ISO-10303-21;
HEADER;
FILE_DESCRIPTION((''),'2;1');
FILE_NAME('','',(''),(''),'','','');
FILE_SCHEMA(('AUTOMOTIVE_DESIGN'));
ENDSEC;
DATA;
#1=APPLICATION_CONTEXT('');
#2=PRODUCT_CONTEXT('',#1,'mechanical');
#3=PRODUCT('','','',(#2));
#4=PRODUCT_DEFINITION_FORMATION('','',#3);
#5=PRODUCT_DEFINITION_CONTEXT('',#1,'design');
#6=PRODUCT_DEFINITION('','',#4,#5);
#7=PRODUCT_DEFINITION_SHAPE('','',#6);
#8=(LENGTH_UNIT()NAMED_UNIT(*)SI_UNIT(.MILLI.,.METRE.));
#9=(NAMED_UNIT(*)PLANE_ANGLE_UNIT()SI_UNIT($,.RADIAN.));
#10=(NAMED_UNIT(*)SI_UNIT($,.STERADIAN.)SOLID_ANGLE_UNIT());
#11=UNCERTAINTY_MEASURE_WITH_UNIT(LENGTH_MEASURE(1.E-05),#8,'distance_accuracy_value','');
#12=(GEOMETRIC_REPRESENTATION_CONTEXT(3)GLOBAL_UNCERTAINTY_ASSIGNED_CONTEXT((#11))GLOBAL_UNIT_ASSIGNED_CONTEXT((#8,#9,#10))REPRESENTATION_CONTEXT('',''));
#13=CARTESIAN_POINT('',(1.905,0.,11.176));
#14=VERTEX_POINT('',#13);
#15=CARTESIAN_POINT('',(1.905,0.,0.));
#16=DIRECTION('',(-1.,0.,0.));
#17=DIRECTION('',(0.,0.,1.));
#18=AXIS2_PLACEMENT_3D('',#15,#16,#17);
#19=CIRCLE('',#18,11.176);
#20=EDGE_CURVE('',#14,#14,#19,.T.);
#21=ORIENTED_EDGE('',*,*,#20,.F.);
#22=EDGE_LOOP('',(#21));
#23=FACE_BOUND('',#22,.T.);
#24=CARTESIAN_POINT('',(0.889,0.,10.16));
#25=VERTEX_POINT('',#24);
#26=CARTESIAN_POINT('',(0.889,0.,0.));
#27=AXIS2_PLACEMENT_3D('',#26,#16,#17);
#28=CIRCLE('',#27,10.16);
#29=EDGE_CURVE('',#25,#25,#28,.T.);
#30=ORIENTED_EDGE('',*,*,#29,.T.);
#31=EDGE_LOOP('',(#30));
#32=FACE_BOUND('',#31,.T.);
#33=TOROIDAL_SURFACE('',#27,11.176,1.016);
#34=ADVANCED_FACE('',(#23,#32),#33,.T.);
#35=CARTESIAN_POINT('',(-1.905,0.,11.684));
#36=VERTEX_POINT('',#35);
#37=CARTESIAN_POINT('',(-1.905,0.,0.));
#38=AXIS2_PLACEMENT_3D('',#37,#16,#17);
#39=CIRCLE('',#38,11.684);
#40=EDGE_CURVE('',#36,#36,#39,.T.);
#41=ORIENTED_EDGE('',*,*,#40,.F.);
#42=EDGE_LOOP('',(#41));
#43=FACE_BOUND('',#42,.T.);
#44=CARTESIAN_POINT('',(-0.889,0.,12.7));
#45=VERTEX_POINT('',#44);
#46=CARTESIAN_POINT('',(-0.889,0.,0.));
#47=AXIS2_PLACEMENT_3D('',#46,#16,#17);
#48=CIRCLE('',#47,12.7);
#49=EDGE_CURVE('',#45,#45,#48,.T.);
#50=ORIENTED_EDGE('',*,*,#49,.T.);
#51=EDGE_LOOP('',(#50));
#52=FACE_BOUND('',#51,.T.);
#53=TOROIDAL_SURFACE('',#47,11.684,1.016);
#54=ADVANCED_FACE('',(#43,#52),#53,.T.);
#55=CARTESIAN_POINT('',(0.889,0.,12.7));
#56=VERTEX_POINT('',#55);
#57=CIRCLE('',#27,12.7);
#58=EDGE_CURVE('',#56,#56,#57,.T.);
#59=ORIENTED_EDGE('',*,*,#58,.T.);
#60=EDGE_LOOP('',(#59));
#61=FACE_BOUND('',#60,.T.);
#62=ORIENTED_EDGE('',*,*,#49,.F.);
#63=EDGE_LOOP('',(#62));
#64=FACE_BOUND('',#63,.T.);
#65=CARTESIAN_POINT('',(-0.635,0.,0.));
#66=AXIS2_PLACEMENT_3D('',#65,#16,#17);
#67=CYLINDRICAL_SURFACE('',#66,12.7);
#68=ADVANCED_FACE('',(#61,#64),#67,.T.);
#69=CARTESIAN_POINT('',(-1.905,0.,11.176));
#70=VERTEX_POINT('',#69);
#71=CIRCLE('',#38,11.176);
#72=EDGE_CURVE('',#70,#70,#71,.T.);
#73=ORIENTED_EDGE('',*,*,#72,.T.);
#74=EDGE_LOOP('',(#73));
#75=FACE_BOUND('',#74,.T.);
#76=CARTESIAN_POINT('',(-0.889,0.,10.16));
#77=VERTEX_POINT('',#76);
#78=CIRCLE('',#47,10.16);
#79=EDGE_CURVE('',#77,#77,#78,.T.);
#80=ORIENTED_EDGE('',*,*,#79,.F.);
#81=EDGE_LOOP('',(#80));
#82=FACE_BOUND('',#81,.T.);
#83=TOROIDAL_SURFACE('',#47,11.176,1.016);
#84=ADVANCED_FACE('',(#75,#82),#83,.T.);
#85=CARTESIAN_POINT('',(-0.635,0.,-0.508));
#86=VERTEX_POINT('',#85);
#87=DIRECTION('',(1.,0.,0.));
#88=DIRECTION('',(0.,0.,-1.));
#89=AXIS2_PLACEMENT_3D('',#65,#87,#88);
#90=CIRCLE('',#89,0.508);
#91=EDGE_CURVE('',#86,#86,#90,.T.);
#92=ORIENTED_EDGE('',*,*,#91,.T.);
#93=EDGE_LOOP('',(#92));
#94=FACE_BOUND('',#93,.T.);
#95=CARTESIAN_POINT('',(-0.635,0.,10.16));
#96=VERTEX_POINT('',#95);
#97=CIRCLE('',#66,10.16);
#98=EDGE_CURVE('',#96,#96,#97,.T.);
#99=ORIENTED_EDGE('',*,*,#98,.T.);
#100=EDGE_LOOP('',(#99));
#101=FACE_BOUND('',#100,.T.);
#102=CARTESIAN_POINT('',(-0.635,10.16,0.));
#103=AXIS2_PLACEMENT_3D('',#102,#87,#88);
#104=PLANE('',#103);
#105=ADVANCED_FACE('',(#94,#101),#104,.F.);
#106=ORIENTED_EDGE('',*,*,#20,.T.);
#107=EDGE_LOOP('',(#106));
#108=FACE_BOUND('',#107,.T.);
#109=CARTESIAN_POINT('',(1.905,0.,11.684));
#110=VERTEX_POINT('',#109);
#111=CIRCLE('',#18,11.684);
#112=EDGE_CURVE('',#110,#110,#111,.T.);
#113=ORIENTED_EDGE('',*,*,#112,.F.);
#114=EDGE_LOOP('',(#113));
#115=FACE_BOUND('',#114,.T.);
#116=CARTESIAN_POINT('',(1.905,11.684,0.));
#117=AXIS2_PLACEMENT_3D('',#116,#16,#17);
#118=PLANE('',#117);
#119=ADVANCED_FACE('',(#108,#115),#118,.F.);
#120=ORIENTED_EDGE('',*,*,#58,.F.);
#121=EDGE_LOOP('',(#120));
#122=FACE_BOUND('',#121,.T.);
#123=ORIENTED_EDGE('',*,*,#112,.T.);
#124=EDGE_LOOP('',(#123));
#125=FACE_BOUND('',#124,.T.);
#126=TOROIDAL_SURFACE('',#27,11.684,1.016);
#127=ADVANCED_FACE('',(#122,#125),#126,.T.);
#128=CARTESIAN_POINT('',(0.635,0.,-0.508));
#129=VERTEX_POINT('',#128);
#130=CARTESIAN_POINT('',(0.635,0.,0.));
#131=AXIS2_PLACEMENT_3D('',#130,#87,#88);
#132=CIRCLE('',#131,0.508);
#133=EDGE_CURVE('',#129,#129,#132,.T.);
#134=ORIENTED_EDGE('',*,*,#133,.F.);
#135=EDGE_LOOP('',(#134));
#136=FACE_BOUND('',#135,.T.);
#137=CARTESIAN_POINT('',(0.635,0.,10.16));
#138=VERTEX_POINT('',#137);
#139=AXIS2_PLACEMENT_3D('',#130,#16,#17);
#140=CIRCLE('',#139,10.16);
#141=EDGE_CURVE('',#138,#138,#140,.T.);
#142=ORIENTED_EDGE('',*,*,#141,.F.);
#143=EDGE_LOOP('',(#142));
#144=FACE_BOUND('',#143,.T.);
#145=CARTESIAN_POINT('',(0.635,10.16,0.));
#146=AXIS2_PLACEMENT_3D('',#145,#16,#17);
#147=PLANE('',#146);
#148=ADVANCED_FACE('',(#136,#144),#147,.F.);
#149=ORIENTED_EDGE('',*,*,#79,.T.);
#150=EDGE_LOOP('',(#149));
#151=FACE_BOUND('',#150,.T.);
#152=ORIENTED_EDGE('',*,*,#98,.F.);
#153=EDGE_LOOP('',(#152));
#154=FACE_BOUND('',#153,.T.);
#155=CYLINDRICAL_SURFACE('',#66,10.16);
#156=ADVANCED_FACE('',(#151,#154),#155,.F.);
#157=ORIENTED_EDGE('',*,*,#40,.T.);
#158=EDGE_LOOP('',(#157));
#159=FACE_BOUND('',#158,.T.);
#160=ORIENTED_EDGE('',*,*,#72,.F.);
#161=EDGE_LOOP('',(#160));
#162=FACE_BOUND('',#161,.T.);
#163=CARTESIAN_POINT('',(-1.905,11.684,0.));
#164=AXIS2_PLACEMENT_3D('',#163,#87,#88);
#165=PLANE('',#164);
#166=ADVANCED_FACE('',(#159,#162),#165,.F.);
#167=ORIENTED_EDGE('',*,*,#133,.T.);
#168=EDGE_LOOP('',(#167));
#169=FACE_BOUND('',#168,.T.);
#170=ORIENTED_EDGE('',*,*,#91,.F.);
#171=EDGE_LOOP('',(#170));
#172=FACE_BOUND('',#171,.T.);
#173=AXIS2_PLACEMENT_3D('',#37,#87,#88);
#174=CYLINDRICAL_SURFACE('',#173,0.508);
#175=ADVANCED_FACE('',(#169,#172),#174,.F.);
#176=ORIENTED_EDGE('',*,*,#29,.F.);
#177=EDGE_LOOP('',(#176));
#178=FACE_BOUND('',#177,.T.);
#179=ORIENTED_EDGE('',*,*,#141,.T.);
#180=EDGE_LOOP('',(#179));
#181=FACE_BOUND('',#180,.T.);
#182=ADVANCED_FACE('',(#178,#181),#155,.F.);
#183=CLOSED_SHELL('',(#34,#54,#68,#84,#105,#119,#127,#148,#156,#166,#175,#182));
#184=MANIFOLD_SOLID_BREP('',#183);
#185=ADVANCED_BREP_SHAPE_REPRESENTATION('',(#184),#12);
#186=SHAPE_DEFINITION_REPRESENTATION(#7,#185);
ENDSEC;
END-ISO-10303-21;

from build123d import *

# Parameters (mm, degrees)
SKETCH3_R          = 0.508
CUT_EXTRUDE1_DEPTH = 3.54


with BuildPart() as part:
    # Sketch2 → Revolve1 (revolve)
    with BuildSketch(Plane.XY):
        with BuildLine():
            Line((0.889, 12.7), (-0.889, 12.7))
            ThreePointArc((-0.889, 12.7), (-1.60742049, 12.40242049), (-1.905, 11.684))
            Line((-1.905, 11.684), (-1.905, 11.176))
            ThreePointArc((-1.905, 11.176), (-1.60742049, 10.45757951), (-0.889, 10.16))
            Line((-0.889, 10.16), (-0.635, 10.16))
            Line((-0.635, 10.16), (-0.635, 0))
            Line((-0.635, 0), (0.635, 0))
            Line((0.635, 0), (0.635, 10.16))
            Line((0.635, 10.16), (0.889, 10.16))
            ThreePointArc((0.889, 10.16), (1.60742049, 10.45757951), (1.905, 11.176))
            Line((1.905, 11.176), (1.905, 11.684))
            ThreePointArc((1.905, 11.684), (1.60742049, 12.40242049), (0.889, 12.7))
        make_face()
    revolve(axis=Axis((-0.635, 0, 0), (1, 0, 0)))

    # Sketch3 → Cut-Extrude1 (cut, through all)
    with BuildSketch(Plane(origin=(0.635, 0, 0), x_dir=(0, 0, -1), z_dir=(1, 0, 0))):
        Circle(SKETCH3_R)
    extrude(amount=-CUT_EXTRUDE1_DEPTH, mode=Mode.SUBTRACT)


solid = part.part
